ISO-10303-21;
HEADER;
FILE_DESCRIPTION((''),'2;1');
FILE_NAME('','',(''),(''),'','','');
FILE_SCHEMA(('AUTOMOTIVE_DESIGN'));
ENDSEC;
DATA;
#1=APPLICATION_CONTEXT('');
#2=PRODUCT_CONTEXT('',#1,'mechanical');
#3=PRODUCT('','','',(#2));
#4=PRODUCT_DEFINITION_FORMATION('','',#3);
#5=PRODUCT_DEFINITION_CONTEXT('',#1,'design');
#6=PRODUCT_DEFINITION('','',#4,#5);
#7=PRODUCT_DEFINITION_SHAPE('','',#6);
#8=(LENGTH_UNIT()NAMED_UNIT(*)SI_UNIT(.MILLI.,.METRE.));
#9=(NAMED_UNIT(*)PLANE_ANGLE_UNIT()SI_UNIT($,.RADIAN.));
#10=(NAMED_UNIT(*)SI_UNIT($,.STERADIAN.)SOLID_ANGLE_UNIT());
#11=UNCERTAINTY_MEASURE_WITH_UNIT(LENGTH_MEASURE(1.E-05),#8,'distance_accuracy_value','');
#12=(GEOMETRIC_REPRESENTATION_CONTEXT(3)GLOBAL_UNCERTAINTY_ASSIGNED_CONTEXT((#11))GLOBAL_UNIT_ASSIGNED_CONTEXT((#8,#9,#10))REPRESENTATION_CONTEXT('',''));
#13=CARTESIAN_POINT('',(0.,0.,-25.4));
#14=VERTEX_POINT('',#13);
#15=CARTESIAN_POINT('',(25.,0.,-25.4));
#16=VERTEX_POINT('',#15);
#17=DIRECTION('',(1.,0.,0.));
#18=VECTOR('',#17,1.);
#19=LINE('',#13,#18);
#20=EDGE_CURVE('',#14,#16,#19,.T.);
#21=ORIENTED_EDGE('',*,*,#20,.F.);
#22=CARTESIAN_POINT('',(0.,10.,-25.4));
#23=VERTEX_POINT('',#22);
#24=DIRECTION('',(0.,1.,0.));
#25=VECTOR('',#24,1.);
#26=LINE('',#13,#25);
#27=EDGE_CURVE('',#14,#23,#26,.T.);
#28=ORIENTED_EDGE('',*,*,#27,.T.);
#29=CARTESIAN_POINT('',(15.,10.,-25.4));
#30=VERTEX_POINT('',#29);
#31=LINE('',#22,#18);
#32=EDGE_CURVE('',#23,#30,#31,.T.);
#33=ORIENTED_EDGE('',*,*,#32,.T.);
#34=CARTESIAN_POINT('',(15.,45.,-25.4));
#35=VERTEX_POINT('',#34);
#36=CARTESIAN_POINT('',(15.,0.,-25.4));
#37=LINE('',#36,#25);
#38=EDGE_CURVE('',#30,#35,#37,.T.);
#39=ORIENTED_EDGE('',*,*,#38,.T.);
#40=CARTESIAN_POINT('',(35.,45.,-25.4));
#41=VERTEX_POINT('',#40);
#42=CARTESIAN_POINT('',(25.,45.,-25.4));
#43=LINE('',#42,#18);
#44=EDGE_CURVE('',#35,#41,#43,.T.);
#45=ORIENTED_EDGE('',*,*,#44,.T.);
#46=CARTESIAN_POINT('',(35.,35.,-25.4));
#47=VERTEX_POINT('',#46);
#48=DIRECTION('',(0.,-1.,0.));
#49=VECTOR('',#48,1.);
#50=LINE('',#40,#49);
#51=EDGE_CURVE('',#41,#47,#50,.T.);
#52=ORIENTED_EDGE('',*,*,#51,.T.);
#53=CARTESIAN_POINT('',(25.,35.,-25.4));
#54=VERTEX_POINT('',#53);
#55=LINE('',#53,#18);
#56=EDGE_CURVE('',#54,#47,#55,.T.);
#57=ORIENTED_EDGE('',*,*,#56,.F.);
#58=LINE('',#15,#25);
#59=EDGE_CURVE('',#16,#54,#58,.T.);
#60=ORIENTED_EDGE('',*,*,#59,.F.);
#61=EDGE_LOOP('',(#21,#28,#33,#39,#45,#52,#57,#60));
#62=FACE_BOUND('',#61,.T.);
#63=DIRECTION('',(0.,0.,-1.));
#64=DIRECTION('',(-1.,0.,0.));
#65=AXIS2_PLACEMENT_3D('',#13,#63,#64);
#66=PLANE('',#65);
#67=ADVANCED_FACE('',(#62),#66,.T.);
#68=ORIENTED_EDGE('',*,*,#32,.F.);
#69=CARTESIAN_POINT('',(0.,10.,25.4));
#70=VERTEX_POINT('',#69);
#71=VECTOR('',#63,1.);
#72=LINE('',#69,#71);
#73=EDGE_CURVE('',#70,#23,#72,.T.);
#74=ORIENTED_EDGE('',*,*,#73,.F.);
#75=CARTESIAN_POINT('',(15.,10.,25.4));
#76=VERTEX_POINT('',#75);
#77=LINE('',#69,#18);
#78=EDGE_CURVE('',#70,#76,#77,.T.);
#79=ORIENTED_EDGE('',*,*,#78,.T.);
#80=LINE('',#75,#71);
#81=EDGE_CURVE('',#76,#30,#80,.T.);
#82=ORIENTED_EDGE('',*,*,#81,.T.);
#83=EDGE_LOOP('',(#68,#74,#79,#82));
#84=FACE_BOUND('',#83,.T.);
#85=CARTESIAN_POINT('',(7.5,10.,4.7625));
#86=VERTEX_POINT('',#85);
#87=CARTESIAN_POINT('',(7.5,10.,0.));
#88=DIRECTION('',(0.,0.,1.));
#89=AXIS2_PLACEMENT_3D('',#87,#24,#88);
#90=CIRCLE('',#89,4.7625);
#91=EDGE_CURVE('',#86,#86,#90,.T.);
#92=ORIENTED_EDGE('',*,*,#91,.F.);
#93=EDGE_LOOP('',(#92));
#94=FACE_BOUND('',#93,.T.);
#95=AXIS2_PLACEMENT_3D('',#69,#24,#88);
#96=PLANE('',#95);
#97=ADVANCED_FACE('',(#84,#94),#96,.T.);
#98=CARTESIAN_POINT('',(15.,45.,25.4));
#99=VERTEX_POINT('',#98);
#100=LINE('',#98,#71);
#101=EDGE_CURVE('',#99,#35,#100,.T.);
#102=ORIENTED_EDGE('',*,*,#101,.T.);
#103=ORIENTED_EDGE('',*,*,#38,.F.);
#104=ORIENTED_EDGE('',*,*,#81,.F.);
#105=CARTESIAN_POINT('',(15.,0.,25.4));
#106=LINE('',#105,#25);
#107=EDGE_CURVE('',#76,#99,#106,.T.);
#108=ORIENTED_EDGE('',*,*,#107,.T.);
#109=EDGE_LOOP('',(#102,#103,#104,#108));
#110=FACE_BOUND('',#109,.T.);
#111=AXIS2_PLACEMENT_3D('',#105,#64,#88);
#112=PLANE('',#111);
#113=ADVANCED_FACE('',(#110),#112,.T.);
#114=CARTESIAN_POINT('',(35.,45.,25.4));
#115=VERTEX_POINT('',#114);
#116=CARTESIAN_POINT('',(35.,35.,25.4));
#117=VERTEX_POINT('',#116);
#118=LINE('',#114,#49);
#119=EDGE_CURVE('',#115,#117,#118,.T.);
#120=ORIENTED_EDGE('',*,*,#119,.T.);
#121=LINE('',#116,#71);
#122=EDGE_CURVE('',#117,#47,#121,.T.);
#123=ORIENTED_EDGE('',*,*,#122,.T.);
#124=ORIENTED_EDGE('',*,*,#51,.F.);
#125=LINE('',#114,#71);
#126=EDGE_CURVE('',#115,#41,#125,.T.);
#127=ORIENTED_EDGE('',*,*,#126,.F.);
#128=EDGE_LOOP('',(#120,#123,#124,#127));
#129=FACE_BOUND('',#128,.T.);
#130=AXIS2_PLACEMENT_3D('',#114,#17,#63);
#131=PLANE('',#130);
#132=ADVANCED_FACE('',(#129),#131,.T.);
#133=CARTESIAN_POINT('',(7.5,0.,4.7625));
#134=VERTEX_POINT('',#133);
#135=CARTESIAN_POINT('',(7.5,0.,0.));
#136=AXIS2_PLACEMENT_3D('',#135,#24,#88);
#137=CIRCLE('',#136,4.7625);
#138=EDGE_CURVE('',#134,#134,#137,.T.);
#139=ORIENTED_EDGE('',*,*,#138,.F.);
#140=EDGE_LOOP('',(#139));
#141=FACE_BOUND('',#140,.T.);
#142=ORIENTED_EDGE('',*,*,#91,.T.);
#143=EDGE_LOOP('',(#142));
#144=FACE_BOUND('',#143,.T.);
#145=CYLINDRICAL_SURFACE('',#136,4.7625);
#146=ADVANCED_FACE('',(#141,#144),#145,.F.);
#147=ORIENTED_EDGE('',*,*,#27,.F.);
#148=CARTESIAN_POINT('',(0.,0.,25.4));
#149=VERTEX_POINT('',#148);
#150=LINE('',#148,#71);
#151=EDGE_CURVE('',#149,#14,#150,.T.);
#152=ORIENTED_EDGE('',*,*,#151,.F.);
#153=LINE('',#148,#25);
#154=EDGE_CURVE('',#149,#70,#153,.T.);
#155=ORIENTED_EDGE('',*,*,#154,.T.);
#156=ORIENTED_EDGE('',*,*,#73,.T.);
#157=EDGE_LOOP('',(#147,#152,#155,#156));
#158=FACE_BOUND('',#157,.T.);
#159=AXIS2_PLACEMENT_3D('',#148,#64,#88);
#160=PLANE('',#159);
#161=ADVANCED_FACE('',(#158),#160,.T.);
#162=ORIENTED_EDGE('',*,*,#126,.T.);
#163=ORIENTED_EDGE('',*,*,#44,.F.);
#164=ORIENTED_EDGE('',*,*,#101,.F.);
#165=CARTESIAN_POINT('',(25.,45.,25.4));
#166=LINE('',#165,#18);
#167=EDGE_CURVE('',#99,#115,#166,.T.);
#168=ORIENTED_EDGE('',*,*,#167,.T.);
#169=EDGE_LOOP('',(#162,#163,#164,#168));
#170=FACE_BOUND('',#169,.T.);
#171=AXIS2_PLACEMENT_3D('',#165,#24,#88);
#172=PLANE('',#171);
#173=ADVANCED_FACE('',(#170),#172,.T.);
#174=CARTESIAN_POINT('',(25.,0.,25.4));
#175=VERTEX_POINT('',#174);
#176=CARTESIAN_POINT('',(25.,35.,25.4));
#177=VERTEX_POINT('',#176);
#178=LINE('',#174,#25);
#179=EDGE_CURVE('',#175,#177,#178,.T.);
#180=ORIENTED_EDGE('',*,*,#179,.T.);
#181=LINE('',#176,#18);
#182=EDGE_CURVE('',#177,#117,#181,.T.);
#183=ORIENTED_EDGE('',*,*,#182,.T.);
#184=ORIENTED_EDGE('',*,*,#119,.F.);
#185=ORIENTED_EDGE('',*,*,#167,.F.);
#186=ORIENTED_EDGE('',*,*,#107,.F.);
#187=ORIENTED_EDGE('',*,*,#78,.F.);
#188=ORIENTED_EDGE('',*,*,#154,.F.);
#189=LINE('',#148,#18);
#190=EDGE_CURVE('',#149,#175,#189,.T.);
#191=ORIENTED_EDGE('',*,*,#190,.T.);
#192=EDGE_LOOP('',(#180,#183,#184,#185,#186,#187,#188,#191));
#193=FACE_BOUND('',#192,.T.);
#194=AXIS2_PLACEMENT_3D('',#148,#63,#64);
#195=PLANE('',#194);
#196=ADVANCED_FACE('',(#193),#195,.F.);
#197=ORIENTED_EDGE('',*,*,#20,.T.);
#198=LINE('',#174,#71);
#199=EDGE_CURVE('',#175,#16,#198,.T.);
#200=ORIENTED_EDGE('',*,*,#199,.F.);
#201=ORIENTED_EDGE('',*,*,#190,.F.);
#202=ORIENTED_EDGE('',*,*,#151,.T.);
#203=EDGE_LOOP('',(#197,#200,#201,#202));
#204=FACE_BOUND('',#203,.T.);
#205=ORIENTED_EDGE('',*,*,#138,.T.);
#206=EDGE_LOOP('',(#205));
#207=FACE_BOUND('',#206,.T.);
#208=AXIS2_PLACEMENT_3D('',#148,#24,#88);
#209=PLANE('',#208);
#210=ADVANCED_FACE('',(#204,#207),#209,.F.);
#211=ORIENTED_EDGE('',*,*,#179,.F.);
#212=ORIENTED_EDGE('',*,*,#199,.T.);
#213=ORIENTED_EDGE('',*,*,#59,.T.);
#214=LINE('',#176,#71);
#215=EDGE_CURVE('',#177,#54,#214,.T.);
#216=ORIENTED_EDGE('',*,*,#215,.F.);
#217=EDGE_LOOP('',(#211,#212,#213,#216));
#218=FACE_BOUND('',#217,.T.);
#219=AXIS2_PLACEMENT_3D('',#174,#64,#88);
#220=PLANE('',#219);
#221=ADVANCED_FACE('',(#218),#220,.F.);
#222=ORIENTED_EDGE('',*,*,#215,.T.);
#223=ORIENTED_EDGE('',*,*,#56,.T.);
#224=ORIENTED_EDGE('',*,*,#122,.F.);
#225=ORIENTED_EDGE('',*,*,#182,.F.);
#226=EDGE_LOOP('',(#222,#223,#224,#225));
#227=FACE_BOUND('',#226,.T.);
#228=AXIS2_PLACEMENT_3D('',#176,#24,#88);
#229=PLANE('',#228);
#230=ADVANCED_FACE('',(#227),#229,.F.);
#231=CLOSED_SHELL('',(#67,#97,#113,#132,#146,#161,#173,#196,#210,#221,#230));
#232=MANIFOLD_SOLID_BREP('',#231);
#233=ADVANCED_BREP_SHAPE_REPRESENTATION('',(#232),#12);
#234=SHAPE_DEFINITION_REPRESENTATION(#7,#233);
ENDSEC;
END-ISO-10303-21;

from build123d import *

# Parameters (mm, degrees)
EXTRUIR_L_MINA1_DEPTH = 25.4
CROQUIS2_R            = 4.7625
CORTAR_EXTRUIR1_DEPTH = 56.634162167


with BuildPart() as part:
    # Croquis1 → Extruir-Lámina1 (new, symmetric)
    with BuildSketch(Plane.XY):
        Polygon((0, 0), (25, 0), (25, 35), (35, 35), (35, 45), (15, 45), (15, 10), (0, 10), align=None)
    extrude(amount=EXTRUIR_L_MINA1_DEPTH, both=True)

    # Croquis2 → Cortar-Extruir1 (cut, through all)
    with BuildSketch(Plane(origin=(0, 10, 0), x_dir=(1, 0, 0), z_dir=(0, 1, 0))):
        with Locations(Location((7.5, 0, 0), (0, 0, 270))):
            Circle(CROQUIS2_R)
    extrude(amount=-CORTAR_EXTRUIR1_DEPTH, mode=Mode.SUBTRACT)


solid = part.part
